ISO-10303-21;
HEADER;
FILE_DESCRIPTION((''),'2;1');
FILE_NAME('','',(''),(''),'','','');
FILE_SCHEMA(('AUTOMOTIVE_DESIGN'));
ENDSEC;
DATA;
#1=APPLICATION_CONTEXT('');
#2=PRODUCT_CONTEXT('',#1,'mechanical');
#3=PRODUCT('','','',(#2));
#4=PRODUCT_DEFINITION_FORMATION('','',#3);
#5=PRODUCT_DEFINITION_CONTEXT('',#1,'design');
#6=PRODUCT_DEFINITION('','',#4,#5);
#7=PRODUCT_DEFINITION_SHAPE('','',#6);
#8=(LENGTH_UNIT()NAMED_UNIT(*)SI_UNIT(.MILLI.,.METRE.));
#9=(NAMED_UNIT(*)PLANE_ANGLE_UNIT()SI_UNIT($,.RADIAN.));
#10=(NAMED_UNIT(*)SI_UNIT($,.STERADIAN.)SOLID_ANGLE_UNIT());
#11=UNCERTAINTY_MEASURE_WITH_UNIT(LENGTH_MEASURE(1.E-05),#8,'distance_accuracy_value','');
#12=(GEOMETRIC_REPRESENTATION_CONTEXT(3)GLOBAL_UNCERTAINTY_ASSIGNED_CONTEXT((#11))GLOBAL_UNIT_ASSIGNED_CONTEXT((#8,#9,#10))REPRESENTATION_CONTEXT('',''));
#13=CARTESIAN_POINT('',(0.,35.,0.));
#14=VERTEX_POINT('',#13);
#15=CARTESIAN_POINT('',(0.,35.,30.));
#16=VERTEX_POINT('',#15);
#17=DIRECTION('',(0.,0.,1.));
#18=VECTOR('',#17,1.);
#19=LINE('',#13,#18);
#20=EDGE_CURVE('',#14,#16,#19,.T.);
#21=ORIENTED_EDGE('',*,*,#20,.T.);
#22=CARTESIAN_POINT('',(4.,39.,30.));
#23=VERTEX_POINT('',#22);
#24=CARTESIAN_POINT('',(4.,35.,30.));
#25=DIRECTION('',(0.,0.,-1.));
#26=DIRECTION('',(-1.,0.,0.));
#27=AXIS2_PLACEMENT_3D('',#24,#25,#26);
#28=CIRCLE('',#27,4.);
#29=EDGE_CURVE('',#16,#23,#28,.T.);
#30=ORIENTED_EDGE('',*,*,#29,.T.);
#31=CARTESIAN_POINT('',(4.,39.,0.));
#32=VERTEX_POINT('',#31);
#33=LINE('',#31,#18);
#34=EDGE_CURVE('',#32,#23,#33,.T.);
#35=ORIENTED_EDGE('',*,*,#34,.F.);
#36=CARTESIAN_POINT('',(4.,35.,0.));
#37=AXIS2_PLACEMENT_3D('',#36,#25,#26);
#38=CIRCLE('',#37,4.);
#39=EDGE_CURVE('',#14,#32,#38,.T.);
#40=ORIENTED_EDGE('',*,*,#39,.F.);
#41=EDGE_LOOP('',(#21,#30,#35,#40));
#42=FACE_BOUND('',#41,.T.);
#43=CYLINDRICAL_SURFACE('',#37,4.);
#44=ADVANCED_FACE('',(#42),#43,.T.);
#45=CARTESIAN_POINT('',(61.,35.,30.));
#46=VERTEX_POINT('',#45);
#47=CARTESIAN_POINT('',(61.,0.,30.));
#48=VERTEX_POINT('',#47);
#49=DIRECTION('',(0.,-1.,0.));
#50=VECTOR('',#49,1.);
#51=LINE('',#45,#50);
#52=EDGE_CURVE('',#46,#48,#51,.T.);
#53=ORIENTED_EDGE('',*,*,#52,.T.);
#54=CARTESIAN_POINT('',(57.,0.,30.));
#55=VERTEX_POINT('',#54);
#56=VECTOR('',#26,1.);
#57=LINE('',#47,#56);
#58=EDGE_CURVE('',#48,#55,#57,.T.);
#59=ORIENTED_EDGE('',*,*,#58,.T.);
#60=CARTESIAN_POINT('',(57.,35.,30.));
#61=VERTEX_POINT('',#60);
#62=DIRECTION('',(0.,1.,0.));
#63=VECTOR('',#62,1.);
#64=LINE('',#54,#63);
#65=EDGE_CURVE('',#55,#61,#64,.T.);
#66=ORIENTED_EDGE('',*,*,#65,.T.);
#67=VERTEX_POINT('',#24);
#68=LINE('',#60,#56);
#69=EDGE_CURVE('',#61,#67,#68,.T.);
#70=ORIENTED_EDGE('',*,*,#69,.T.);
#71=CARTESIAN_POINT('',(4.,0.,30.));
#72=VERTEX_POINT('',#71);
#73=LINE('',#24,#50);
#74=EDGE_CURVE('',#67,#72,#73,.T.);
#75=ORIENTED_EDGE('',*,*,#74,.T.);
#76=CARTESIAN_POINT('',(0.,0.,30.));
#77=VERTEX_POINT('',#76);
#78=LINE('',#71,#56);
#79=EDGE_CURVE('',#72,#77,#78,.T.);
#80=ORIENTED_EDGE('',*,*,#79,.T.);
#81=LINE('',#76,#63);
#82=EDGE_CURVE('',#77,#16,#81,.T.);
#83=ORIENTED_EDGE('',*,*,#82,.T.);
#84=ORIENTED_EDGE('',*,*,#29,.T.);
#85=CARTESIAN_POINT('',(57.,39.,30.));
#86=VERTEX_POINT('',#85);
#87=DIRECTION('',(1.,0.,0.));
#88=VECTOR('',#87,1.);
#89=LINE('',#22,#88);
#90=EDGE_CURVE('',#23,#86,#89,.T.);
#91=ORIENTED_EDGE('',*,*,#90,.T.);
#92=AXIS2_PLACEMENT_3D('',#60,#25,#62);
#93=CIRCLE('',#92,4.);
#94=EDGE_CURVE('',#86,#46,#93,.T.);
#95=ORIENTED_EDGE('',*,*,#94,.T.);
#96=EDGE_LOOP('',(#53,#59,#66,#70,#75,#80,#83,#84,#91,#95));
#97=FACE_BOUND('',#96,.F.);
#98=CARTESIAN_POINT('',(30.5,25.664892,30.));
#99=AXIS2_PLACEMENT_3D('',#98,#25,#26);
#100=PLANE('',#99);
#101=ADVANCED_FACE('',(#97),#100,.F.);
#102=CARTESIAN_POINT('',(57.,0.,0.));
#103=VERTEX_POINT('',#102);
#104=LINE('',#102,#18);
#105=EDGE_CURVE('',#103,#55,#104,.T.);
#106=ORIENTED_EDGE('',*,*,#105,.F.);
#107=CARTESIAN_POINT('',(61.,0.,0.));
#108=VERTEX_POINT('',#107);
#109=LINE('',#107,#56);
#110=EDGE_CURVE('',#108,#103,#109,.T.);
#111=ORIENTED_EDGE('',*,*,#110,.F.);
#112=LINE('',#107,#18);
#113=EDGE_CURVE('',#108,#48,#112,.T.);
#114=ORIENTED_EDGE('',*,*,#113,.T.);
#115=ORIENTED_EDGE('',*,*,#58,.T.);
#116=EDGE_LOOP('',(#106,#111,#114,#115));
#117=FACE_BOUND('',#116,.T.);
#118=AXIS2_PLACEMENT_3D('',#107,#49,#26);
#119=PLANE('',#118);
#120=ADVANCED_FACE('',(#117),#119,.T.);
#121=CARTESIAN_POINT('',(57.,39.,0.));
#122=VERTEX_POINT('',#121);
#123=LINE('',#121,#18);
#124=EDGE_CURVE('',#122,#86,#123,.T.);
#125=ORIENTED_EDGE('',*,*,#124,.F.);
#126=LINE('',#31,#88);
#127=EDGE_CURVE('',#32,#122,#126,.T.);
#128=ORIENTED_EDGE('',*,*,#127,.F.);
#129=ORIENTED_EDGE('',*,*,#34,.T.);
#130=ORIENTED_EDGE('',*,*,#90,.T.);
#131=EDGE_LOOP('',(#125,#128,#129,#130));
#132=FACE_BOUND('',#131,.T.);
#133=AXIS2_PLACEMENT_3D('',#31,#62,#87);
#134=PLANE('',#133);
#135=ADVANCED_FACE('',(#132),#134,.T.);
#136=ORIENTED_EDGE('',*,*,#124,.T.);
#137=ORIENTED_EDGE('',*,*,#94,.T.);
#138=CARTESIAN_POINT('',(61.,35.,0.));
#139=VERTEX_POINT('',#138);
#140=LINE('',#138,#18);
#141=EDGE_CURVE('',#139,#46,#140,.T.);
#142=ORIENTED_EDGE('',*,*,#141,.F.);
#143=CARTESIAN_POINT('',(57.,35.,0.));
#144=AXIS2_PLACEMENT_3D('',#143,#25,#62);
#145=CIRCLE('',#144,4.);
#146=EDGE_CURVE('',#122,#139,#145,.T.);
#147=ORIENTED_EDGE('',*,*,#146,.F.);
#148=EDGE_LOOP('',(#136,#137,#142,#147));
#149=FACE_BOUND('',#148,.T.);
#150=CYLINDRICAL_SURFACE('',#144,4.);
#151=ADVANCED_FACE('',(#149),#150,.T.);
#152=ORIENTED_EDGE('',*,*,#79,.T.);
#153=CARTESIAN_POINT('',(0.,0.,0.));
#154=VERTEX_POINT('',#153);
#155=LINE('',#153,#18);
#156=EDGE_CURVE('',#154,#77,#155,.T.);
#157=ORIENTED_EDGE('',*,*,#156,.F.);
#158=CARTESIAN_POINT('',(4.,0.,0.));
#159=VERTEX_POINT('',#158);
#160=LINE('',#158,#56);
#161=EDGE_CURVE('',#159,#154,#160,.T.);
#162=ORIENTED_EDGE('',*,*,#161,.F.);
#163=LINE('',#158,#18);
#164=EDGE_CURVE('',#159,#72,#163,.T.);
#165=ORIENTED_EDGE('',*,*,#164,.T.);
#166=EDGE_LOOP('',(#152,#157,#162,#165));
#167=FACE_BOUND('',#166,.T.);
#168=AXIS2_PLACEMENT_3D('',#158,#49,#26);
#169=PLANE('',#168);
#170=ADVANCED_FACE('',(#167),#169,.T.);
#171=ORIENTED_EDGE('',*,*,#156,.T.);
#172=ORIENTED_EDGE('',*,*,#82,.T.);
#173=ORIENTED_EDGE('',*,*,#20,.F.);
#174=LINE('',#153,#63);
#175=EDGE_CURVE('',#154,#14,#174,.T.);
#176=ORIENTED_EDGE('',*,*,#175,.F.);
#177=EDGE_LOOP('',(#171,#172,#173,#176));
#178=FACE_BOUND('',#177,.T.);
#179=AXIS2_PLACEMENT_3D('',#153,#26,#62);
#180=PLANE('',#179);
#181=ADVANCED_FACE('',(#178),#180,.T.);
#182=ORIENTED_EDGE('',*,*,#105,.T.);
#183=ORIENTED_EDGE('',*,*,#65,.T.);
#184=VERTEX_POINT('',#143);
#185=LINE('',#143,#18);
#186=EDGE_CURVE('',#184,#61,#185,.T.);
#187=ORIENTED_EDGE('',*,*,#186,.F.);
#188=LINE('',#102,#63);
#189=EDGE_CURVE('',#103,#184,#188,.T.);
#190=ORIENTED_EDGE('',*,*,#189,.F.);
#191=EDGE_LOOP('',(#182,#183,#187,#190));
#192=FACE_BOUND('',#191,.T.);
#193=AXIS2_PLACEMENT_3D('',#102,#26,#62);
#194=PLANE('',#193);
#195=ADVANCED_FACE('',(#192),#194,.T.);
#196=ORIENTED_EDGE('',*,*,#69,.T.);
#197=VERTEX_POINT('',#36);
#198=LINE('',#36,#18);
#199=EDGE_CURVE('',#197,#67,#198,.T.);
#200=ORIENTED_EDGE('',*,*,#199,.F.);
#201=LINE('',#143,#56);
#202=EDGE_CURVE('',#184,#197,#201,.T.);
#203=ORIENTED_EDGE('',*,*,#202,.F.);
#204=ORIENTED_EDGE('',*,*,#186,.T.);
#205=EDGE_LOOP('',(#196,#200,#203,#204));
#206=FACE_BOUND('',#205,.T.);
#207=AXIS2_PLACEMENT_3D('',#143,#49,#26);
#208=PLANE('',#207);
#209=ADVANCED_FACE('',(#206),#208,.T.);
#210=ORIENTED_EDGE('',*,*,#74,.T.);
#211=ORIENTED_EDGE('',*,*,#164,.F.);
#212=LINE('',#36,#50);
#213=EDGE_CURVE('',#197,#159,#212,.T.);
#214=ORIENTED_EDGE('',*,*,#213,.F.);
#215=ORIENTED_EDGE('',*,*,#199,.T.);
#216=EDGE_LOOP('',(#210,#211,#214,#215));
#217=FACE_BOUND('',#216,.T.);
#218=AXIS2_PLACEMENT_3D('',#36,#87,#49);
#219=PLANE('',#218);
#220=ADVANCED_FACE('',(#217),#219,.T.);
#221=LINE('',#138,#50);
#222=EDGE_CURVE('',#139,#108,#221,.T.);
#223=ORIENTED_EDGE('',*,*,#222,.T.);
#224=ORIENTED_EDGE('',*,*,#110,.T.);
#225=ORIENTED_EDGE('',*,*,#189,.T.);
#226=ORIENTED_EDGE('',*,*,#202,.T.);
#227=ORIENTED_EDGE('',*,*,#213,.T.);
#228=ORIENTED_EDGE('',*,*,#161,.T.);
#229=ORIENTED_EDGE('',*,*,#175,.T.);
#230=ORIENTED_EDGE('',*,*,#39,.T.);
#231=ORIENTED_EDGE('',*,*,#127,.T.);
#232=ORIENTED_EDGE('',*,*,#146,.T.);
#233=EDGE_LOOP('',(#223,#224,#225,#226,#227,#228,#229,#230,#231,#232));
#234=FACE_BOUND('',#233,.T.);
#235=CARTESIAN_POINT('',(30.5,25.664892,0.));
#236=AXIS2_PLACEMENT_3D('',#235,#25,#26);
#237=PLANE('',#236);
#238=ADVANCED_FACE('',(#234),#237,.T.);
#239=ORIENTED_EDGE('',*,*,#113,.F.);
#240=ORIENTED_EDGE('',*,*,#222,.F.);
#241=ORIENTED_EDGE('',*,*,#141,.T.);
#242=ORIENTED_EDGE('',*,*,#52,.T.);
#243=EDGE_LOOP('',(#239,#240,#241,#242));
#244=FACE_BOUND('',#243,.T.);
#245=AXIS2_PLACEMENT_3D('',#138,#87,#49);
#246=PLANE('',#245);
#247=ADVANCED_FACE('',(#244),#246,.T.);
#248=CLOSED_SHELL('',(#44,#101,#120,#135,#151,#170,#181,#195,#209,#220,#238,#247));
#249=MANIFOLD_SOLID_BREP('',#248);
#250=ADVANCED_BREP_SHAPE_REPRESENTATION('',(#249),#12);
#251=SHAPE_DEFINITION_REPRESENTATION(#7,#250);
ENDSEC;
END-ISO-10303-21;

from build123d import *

# Parameters (mm, degrees)
BOSS_EXTRUDE1_DEPTH = 30


with BuildPart() as part:
    # Sketch1 → Boss-Extrude1 (new body)
    with BuildSketch(Plane.XY):
        with BuildLine():
            Line((0, 0), (0, 35))
            ThreePointArc((0, 35), (1.171572875, 37.828427125), (4, 39))
            Line((4, 39), (57, 39))
            ThreePointArc((57, 39), (59.828427125, 37.828427125), (61, 35))
            Line((61, 35), (61, 0))
            Line((61, 0), (57, 0))
            Line((57, 0), (57, 35))
            Line((57, 35), (4, 35))
            Line((4, 35), (4, 0))
            Line((4, 0), (0, 0))
        make_face()
    extrude(amount=BOSS_EXTRUDE1_DEPTH)


solid = part.part
